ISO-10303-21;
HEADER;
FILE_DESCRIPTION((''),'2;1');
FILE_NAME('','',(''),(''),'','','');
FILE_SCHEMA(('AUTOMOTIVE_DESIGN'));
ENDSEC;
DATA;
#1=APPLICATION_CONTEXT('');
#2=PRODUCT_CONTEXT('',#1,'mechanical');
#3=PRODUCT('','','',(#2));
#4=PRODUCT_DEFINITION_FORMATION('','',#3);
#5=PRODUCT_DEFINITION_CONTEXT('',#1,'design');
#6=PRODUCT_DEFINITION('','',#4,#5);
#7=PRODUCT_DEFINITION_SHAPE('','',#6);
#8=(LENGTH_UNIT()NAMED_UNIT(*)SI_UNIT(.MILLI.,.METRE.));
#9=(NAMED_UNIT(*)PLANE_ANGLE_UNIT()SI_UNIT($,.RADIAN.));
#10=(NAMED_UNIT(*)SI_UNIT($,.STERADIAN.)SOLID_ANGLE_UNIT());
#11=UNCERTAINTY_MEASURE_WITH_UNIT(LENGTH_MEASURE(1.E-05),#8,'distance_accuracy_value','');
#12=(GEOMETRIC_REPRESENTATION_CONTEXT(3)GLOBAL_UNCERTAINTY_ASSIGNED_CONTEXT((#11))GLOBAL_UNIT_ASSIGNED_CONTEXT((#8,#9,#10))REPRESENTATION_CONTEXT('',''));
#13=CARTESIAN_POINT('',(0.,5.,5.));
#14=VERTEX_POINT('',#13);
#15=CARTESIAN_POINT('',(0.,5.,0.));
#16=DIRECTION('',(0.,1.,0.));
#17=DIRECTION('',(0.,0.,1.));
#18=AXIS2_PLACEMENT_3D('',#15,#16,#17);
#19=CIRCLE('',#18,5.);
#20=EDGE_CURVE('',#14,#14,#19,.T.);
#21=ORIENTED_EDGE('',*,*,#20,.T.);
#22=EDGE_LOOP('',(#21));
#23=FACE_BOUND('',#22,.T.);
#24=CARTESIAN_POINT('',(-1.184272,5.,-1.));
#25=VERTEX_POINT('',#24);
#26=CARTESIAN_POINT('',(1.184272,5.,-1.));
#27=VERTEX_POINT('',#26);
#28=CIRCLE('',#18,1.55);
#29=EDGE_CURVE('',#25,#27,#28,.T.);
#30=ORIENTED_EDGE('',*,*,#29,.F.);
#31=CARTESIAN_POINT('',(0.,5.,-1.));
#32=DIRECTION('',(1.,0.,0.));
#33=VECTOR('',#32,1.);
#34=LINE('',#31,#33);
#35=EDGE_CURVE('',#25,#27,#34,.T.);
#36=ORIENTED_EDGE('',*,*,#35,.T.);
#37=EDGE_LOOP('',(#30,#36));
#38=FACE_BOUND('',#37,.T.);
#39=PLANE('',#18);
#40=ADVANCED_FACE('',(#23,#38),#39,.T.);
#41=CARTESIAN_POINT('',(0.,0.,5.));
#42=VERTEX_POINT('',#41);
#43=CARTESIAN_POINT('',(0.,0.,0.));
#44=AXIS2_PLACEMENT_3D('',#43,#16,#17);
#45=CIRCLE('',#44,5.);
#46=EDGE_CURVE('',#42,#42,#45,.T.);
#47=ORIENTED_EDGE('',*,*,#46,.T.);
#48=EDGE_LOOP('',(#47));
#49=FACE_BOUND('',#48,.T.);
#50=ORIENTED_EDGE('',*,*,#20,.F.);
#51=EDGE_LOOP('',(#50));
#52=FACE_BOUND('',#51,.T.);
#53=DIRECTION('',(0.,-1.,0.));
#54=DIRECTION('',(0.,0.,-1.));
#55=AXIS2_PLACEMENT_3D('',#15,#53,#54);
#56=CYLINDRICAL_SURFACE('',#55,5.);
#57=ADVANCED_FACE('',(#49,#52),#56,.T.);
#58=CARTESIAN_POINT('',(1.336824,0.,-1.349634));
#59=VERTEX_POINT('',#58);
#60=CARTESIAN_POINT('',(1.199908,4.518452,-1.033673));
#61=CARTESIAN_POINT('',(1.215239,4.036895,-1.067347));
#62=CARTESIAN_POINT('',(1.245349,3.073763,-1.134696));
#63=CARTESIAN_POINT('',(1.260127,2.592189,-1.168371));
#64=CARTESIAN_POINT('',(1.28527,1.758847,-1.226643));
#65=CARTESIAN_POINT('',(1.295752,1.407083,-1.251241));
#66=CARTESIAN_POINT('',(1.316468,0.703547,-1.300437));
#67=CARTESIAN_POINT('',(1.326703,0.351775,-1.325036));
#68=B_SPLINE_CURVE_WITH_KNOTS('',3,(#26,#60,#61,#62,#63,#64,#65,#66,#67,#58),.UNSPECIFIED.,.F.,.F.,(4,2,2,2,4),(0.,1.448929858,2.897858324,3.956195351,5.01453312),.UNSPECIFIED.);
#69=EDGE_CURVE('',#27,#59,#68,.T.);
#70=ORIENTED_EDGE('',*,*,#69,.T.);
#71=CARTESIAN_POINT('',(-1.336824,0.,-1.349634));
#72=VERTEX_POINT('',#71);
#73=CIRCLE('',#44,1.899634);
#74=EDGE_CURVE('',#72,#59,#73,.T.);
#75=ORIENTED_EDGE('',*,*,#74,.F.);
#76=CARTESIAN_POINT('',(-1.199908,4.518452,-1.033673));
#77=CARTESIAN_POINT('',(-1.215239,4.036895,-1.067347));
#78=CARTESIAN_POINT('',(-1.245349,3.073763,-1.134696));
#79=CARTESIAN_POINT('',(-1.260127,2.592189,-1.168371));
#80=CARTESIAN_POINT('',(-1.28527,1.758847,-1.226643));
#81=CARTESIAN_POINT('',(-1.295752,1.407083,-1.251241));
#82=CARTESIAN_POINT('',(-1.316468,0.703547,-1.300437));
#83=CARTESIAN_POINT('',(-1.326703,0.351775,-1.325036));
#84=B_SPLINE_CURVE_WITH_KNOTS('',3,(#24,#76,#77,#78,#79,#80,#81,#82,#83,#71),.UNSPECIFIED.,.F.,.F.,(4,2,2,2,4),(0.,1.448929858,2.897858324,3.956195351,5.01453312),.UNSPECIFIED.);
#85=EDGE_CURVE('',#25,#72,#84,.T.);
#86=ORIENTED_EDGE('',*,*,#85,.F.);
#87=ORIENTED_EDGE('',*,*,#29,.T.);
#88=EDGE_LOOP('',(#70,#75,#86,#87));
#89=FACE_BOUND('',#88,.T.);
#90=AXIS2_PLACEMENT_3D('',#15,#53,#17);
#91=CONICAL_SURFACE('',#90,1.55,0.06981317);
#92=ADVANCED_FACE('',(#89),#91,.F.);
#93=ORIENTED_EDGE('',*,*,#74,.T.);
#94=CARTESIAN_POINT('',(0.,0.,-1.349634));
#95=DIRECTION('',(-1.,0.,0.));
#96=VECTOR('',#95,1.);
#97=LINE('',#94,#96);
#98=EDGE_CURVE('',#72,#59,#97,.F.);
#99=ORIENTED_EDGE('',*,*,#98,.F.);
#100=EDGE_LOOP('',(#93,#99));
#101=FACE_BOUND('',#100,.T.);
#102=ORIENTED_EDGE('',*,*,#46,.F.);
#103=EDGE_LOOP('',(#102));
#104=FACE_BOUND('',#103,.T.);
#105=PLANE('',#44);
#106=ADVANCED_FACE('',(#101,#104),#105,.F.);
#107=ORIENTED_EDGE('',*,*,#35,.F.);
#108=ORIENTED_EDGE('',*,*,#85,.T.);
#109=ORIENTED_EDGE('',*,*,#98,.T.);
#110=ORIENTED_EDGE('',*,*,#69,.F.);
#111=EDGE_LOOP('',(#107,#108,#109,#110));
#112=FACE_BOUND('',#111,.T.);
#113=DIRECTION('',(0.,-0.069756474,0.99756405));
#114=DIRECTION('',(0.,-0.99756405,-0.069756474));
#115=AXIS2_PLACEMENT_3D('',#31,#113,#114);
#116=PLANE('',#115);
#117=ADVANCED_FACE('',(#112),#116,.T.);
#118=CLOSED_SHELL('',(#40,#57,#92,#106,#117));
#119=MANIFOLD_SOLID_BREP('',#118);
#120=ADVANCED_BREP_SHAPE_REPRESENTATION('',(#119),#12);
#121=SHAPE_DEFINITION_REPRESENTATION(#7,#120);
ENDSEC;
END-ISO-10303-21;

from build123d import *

# Parameters (mm, degrees)
SKETCH1_R           = 5
BOSS_EXTRUDE1_DEPTH = 5
DRAFT12_ANGLE       = -4


with BuildPart() as part:
    # Sketch1 → Boss-Extrude1 (new body)
    with BuildSketch(Plane(origin=(0, 0, 0), x_dir=(1, 0, 0), z_dir=(0, 1, 0))):
        with Locations(Location((0, 0, 0), (0, 0, 270))):
            Circle(SKETCH1_R)
        with BuildLine():
            Line((-1.184271928, 1), (1.184271928, 1))
            ThreePointArc((1.184271928, 1), (0, -1.55), (-1.184271928, 1))
        make_face(mode=Mode.SUBTRACT)
    extrude(amount=BOSS_EXTRUDE1_DEPTH)

    # Draft12
    draft12_faces = [part.faces().sort_by_distance(p)[0] for p in [
        (0, 2.5, 1.55),
        (0, 2.5, -1),
    ]]
    draft(draft12_faces, Plane.ZX.offset(5), DRAFT12_ANGLE)


solid = part.part
